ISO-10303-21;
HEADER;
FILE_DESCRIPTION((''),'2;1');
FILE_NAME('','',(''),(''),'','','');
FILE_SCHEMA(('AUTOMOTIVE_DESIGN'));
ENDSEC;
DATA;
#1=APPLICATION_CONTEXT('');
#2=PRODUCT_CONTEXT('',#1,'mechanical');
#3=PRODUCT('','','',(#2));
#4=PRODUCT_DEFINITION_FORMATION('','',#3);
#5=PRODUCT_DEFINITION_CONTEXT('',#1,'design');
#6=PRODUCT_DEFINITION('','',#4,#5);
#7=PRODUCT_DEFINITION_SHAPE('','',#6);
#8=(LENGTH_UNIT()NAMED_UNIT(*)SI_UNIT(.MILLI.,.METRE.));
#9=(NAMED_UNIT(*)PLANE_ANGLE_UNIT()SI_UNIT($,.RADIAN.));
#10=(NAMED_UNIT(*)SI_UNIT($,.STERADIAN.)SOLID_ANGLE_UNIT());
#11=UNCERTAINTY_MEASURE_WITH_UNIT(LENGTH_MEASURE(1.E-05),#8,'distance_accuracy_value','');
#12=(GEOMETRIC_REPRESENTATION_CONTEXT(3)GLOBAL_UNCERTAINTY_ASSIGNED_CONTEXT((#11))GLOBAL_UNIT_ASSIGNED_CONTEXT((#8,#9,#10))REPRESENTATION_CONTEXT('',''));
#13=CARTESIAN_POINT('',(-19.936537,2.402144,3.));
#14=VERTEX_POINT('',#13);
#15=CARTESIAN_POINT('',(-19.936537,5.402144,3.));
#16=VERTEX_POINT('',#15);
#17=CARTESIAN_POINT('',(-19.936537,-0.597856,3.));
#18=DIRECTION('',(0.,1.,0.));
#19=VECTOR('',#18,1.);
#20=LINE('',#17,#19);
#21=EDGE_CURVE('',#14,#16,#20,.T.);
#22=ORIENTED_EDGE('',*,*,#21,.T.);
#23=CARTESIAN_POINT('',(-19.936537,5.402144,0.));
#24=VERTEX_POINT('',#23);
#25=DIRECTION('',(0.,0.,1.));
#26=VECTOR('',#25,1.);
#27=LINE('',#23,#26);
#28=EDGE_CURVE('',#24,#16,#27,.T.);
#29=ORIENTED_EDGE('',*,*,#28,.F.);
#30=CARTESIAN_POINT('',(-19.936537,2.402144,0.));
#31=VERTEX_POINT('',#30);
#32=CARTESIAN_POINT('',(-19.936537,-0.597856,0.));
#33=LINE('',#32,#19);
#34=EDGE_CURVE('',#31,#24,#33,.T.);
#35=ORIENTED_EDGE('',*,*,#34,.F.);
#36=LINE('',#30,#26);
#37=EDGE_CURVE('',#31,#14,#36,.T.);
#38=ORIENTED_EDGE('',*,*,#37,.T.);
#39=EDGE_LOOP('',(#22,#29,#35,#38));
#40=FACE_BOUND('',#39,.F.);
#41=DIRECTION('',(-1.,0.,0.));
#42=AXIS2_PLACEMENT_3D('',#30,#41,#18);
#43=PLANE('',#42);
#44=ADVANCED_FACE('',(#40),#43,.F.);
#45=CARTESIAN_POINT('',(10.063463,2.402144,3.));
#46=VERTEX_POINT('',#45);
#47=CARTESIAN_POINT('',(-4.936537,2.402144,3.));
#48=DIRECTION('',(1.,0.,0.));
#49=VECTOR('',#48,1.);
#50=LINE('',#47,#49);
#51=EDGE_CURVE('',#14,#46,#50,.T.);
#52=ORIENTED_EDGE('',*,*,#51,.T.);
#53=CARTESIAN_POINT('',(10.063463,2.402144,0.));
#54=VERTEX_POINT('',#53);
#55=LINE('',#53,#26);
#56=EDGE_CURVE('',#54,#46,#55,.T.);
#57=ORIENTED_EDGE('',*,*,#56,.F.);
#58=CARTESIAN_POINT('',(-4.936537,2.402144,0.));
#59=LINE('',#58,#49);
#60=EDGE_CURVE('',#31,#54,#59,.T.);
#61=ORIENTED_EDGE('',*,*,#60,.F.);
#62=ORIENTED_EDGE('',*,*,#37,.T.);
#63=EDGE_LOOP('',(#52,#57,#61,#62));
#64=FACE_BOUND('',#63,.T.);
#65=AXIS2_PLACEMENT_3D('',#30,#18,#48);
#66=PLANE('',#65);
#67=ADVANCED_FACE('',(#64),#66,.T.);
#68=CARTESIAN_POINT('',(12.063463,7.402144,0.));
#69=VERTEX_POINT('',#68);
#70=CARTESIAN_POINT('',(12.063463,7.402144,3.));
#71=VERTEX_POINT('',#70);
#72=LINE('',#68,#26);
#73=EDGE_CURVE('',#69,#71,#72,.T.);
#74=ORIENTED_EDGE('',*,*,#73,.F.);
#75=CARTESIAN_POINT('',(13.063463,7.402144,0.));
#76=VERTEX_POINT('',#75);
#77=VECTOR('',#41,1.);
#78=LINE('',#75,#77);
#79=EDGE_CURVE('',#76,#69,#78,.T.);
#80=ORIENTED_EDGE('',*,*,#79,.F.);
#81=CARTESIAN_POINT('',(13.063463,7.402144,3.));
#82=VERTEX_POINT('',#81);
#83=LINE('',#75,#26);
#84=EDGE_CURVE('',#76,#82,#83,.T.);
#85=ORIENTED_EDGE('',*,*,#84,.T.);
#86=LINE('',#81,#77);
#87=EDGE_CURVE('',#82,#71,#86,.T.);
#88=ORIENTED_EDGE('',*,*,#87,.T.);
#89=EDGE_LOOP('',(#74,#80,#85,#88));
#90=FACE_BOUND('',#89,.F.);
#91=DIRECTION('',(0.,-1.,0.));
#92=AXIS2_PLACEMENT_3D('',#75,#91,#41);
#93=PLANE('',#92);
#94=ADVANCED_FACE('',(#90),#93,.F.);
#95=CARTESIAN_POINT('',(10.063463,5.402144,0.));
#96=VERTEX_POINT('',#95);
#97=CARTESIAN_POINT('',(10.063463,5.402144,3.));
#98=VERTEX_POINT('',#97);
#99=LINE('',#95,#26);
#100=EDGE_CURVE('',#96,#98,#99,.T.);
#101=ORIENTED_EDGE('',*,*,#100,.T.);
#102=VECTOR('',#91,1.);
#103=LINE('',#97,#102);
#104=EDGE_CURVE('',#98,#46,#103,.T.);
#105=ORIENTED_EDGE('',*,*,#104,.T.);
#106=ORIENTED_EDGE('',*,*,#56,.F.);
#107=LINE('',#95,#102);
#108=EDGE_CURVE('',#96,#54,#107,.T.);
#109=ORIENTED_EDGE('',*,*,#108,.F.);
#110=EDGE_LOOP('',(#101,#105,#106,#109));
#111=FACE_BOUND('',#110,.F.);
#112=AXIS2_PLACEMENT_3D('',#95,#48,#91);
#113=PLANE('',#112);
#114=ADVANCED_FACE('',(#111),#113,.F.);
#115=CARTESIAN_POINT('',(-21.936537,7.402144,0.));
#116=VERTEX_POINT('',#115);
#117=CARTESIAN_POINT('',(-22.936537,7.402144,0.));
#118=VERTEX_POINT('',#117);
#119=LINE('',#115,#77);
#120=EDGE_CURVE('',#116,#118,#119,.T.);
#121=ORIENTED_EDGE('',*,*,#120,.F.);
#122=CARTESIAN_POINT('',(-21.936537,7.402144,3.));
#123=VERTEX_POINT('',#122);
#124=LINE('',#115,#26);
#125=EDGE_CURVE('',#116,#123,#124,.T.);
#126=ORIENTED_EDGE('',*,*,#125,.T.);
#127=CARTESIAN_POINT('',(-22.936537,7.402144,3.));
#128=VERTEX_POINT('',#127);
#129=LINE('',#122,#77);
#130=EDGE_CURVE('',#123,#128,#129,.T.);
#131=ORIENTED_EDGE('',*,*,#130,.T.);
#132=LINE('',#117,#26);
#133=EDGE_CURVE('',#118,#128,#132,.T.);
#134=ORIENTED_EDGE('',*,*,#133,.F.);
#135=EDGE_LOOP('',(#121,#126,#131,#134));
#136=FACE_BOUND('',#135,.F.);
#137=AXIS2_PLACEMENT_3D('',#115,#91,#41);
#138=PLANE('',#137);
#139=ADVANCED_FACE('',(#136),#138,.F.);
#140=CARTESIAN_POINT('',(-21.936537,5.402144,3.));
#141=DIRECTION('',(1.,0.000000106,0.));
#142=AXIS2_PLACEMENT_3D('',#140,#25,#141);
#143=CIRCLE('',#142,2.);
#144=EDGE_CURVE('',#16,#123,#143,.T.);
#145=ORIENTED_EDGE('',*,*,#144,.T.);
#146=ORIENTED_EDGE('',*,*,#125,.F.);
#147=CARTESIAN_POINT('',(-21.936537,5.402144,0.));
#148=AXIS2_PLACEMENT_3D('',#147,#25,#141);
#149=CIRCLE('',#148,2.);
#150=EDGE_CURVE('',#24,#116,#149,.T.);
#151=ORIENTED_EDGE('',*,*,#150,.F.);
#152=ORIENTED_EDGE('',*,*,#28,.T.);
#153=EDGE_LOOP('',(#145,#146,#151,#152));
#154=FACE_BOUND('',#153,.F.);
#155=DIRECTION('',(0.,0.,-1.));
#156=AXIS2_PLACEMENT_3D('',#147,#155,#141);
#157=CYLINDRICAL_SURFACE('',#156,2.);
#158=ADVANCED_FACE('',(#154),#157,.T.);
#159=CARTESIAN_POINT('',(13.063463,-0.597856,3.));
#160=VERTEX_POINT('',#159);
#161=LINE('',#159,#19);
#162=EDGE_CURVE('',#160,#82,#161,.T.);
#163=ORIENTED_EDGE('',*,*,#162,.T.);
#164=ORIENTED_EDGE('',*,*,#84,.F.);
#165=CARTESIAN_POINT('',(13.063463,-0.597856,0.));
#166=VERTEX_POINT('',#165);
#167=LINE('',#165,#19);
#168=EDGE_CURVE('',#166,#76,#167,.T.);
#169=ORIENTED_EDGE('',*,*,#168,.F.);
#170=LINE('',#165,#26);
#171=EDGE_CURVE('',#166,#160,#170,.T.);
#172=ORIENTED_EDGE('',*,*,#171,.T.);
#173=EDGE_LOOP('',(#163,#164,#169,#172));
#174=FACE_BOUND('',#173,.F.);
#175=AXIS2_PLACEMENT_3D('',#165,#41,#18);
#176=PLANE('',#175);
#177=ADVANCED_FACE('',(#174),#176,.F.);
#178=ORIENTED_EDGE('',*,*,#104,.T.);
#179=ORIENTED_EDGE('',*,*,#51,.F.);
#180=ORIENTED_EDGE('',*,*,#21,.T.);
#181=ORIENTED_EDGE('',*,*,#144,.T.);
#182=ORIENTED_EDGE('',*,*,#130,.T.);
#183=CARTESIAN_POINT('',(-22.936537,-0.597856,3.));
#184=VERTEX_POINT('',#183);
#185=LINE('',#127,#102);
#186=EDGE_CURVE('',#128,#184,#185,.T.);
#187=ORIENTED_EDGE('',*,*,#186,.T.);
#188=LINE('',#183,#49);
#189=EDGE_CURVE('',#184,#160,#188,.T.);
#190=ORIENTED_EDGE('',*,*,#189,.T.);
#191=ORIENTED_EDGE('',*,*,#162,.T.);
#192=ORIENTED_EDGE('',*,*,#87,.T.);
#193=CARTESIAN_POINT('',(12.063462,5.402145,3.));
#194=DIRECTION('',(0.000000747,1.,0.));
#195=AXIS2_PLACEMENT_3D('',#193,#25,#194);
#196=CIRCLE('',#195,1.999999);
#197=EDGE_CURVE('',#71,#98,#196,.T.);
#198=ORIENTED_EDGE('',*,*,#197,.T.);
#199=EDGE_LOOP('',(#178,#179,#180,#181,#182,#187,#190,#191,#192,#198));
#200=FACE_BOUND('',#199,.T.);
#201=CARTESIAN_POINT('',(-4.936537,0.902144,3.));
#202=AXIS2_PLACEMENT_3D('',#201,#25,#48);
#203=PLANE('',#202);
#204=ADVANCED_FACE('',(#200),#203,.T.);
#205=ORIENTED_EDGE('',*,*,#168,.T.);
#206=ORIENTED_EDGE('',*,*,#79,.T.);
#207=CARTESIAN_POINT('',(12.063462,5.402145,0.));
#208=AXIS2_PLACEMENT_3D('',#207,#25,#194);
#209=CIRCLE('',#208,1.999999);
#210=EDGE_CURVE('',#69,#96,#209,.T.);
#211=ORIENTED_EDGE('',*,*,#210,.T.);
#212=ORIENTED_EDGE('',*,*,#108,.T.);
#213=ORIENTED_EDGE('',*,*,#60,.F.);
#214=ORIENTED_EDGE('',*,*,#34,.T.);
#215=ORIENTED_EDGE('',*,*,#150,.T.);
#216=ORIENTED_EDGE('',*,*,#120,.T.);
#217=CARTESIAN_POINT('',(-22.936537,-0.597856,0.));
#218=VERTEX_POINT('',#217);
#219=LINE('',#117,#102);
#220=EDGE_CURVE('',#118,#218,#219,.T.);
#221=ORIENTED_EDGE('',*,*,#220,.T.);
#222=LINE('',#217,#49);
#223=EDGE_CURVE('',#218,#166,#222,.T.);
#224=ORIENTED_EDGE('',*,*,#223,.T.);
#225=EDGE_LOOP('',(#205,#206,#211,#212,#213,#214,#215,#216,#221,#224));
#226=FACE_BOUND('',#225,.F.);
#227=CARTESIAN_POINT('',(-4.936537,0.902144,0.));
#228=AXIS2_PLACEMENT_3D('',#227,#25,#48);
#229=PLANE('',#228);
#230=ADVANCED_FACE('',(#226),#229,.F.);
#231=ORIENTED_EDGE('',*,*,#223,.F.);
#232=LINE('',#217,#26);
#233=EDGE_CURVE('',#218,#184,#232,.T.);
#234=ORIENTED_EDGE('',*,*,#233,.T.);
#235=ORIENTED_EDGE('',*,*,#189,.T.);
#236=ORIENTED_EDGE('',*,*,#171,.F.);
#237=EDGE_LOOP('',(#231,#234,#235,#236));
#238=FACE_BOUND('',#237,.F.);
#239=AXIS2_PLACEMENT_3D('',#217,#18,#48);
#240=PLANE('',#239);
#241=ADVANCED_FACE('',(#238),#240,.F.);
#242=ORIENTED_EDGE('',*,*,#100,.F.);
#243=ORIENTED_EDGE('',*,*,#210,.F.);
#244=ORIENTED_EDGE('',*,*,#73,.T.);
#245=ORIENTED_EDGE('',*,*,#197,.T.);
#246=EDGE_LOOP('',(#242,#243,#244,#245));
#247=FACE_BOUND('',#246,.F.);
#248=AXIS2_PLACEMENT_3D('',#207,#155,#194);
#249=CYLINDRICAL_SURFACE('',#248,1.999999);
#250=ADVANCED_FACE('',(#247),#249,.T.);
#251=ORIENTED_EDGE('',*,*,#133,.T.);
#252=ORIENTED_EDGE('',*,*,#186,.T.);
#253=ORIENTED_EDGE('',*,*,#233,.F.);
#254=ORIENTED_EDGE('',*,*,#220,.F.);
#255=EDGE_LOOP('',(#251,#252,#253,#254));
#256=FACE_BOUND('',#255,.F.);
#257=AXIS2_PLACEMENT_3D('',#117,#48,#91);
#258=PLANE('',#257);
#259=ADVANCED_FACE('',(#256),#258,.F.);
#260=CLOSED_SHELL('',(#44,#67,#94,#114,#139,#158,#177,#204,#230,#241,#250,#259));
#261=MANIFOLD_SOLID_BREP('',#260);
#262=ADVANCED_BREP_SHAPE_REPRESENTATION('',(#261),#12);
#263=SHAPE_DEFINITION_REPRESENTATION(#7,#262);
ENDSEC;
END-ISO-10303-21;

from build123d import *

# Parameters (mm, degrees)
F0_W     = 30
F0_H     = 3
F1_DEPTH = 3


with BuildPart() as f1:
    # F0 (on Top) → F1 (new body)
    with BuildSketch(Plane.XY):
        with Locations((-4.936537, 0.902144)):
            Rectangle(F0_W, F0_H)
        with BuildLine():
            Line((10.063463, 2.402144), (10.063463, -0.597856))
            Line((10.063463, -0.597856), (13.063463, -0.597856))
            Line((13.063463, -0.597856), (13.063463, 7.402144))
            Line((13.063463, 7.402144), (12.063463, 7.402144))
            ThreePointArc((12.063463, 7.402144), (10.649249, 6.816358), (10.063463, 5.402144))
            Line((10.063463, 5.402144), (10.063463, 2.402144))
        make_face()
        with BuildLine():
            Line((-22.936537, -0.597856), (-19.936537, -0.597856))
            Line((-19.936537, -0.597856), (-19.936537, 2.402144))
            Line((-19.936537, 2.402144), (-19.936537, 5.402144))
            ThreePointArc((-19.936537, 5.402144), (-20.522324, 6.816358), (-21.936537, 7.402144))
            Line((-21.936537, 7.402144), (-22.936537, 7.402144))
            Line((-22.936537, 7.402144), (-22.936537, -0.597856))
        make_face()
    extrude(amount=F1_DEPTH)


solid = f1.part
